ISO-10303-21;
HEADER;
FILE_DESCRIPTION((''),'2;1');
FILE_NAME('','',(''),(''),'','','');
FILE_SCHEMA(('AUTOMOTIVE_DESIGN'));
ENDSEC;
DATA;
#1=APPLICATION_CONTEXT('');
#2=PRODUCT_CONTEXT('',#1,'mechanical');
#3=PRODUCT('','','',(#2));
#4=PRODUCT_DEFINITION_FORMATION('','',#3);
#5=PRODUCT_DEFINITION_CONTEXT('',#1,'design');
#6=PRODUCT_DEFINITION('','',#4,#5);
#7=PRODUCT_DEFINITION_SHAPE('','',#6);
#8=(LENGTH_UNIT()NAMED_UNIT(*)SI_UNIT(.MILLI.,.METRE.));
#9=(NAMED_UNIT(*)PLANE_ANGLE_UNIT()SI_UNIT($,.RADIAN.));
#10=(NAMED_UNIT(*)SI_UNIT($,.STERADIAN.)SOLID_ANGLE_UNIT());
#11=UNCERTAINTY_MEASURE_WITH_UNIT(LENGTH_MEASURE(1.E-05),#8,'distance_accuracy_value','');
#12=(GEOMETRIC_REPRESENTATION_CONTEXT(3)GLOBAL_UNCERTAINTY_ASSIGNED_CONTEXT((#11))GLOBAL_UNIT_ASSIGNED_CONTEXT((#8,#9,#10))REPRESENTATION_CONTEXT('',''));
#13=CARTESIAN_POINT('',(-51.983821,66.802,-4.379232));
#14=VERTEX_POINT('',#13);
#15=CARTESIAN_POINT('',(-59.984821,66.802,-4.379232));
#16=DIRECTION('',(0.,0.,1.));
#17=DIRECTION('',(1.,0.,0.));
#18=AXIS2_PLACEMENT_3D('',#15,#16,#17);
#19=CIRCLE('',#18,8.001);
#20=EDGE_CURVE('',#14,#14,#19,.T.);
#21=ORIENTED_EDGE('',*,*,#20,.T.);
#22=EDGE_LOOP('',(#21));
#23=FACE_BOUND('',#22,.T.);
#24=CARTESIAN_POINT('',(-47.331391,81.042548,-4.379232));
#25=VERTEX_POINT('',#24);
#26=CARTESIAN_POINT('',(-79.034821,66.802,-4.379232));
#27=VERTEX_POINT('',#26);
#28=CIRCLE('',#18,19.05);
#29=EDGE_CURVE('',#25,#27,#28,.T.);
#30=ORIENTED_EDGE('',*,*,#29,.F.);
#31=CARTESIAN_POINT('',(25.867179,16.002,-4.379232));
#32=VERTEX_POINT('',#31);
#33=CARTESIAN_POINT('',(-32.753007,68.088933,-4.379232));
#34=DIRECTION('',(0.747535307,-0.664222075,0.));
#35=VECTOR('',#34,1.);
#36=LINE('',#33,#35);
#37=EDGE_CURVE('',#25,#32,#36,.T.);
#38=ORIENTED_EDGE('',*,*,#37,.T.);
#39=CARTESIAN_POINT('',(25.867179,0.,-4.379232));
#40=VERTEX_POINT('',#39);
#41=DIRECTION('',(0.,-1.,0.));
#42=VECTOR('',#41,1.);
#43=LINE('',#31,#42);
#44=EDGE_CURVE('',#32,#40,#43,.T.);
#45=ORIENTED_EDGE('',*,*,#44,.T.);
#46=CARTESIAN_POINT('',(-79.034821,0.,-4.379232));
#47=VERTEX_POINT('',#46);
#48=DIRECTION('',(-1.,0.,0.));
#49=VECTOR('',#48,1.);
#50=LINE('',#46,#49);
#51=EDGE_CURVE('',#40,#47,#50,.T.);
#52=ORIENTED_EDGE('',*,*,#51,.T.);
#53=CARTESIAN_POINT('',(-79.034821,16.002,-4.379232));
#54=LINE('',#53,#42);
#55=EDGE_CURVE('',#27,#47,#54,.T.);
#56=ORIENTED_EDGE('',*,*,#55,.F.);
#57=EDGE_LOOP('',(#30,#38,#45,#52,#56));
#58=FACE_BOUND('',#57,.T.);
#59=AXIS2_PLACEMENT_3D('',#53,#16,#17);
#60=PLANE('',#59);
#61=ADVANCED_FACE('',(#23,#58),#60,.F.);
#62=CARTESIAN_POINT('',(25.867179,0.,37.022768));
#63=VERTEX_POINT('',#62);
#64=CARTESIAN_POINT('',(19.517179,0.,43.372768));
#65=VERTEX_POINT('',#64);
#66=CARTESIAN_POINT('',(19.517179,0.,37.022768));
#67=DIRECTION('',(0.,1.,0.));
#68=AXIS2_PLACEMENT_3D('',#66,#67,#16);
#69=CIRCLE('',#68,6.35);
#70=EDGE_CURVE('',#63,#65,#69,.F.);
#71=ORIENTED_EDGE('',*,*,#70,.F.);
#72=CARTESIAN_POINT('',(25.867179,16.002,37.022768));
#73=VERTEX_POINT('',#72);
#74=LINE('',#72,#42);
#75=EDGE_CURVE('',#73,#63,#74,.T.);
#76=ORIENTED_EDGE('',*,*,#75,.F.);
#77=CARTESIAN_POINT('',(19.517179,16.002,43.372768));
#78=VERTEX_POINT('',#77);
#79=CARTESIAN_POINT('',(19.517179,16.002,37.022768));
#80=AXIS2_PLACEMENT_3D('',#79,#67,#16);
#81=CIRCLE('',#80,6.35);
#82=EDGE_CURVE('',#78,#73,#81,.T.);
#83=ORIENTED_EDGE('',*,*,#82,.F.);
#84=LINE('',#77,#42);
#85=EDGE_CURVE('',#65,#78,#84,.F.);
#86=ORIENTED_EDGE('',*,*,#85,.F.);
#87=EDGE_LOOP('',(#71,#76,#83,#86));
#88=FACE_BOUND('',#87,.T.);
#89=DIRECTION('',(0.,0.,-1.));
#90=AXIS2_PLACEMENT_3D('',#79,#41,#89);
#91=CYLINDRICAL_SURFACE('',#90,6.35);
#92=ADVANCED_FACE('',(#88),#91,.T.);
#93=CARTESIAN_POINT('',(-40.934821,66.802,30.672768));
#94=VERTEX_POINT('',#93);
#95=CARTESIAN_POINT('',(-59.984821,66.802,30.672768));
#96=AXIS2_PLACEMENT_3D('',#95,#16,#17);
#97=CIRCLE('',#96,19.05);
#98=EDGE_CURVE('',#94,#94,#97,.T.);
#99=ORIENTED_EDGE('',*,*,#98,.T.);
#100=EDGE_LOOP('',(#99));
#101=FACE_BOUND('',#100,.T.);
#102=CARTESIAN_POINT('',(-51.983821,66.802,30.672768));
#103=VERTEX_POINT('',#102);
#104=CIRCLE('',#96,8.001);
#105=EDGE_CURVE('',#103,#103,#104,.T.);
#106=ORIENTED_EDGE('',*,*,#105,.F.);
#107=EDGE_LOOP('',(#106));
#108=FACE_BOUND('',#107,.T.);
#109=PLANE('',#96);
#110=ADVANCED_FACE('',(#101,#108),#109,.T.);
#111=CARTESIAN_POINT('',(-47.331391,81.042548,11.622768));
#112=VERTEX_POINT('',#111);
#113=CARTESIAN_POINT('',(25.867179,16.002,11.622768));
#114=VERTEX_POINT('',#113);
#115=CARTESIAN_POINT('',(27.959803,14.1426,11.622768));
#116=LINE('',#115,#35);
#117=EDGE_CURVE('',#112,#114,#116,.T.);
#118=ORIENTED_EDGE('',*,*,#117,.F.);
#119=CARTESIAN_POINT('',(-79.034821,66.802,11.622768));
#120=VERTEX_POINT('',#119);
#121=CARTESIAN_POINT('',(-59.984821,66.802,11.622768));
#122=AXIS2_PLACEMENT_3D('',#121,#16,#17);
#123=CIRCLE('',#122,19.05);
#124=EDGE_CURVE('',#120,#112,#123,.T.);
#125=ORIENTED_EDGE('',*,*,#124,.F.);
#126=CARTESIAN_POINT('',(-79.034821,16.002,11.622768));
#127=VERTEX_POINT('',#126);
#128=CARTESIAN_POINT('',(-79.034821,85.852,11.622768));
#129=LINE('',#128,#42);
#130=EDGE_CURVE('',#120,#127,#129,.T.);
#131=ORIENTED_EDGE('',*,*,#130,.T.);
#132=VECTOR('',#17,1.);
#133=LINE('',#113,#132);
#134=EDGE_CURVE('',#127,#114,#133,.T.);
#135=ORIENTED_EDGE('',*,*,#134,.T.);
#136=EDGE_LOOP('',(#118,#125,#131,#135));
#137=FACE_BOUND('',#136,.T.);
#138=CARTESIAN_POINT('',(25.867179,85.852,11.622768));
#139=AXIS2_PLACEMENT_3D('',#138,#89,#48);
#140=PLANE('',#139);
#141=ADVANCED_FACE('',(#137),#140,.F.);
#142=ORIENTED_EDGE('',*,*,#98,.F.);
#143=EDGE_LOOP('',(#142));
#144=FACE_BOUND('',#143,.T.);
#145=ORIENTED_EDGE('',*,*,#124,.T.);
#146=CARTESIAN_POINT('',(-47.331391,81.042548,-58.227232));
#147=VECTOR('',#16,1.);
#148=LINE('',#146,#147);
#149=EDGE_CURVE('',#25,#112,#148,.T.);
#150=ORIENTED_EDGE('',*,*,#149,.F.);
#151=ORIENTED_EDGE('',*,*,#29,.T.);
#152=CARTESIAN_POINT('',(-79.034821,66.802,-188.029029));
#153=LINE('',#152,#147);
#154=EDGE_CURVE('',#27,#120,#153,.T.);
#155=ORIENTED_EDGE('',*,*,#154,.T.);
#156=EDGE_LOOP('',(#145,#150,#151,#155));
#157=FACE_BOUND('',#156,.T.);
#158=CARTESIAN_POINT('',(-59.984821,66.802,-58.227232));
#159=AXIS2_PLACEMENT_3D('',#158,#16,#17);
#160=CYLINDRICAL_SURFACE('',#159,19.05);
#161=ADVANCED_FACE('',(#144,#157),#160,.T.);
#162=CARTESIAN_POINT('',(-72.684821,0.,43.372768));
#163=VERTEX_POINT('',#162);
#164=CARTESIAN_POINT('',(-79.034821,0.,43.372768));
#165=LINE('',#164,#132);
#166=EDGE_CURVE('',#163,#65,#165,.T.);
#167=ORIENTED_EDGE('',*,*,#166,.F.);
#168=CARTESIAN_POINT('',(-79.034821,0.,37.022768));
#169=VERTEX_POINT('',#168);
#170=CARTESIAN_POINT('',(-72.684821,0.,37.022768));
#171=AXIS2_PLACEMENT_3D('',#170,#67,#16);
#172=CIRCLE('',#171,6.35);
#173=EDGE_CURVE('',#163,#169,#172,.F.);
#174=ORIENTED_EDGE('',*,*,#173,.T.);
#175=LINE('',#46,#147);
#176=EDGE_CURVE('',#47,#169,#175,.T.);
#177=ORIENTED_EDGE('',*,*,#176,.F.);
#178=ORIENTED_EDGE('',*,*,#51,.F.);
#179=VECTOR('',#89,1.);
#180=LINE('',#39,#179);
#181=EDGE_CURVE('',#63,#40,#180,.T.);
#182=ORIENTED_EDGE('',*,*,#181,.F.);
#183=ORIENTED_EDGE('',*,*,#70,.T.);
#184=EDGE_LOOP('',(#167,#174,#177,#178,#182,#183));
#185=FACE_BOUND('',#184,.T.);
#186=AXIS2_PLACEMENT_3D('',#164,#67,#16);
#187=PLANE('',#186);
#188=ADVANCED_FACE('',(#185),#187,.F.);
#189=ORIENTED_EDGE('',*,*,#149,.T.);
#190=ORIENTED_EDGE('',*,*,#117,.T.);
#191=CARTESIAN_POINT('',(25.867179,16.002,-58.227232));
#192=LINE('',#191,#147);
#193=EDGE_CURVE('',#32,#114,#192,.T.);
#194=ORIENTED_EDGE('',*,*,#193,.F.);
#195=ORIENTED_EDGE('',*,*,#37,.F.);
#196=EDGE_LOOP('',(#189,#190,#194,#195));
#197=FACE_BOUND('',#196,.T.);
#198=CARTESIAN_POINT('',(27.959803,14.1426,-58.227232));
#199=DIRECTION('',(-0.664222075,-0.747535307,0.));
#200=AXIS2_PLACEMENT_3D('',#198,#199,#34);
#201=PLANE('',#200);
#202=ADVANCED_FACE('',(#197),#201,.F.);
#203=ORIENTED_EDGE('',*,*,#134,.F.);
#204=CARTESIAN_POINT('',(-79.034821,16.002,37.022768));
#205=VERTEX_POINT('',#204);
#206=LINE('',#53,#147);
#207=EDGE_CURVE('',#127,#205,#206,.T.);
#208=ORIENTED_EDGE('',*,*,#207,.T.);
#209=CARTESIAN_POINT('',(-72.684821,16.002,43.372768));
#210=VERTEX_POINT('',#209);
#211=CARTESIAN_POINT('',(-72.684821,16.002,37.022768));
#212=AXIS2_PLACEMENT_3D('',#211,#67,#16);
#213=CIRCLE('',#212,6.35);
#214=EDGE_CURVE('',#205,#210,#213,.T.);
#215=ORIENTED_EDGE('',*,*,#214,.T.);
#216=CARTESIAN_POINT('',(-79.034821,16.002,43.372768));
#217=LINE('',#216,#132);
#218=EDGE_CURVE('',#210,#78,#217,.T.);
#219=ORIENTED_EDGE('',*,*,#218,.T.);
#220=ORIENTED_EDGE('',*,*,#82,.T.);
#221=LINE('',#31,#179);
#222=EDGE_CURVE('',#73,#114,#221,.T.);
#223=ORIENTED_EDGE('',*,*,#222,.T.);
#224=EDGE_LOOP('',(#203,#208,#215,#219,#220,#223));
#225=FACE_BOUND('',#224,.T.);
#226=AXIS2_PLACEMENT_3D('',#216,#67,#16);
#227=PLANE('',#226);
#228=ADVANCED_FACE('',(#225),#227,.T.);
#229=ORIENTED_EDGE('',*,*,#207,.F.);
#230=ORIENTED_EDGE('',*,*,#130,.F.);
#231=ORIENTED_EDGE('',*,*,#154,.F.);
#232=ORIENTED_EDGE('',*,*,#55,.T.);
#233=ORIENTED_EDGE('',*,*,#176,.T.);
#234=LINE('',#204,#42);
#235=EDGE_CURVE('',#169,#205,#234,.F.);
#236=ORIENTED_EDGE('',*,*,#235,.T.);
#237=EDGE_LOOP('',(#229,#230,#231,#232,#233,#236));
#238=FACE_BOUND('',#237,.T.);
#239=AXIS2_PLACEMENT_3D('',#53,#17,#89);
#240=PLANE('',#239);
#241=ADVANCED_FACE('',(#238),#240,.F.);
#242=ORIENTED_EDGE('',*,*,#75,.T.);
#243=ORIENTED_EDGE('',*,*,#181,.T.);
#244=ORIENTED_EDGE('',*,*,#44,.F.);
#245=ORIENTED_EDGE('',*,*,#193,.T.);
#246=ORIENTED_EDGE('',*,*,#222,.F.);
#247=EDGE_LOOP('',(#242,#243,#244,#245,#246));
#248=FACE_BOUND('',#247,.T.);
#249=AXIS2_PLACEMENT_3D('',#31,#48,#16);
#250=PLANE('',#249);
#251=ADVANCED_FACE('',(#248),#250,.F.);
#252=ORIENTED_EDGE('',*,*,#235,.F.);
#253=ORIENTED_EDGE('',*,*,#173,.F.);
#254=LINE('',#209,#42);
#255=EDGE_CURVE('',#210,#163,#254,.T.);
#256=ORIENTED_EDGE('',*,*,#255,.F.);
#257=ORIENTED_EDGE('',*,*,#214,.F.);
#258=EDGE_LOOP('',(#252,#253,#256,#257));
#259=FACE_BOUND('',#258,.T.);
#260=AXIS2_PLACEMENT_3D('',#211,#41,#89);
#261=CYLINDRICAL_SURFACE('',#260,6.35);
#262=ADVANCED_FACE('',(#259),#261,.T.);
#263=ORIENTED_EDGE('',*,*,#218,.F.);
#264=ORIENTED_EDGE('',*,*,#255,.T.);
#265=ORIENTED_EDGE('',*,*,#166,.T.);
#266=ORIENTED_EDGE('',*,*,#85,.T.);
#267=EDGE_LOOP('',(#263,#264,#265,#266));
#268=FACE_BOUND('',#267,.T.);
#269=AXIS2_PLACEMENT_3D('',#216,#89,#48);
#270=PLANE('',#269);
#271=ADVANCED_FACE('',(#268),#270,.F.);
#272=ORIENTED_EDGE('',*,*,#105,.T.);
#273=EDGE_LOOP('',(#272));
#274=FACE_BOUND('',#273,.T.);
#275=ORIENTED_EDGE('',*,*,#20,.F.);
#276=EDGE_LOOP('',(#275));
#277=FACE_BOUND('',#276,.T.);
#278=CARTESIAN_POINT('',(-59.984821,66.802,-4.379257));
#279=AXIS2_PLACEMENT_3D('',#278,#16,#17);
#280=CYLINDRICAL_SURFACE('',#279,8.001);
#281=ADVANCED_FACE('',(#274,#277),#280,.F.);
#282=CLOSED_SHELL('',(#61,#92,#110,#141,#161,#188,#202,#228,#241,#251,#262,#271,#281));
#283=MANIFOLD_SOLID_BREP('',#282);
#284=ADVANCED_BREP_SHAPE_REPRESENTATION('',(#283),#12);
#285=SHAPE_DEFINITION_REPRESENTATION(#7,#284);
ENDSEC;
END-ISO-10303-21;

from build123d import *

# Parameters (mm, degrees)
SKETCH1_W               = 104.902
SKETCH1_H               = 47.752
EXTRUDE1_DEPTH          = 16.002
FILLET1_R               = 6.35
SKETCH2_W               = 104.902
SKETCH2_H               = 16.002
EXTRUDE2_DEPTH          = 69.85
CUT_EXTRUDE1_DEPTH      = 69.85
CUT_EXTRUDE3_DEPTH      = 32.75
CUT_EXTRUDE3_DEPTH_BACK = 17.002
SKETCH5_R               = 19.05
EXTRUDE3_DEPTH          = 19.05
SKETCH6_R               = 8.001
CUT_EXTRUDE4_DEPTH      = 36.052


with BuildPart() as part:
    # Sketch1 → Extrude1 (new body)
    with BuildSketch(Plane(origin=(0, 0, 0), x_dir=(1, 0, 0), z_dir=(0, 1, 0))):
        with Locations((-26.583821429, -19.496767857)):
            Rectangle(SKETCH1_W, SKETCH1_H)
    extrude(amount=EXTRUDE1_DEPTH)

    # Fillet1
    fillet1_edges = [part.edges().sort_by_distance(p)[0] for p in [
        (25.867178571, 8.001, 43.372767857),
        (-79.034821429, 8.001, 43.372767857),
    ]]
    fillet(fillet1_edges, radius=FILLET1_R)

    # Sketch2 → Extrude2 (add)
    with BuildSketch(Plane(origin=(0, 16.002, 0), x_dir=(-1, 0, 0), z_dir=(0, 1, 0))):
        with Locations((26.583821429, 3.621767857)):
            Rectangle(SKETCH2_W, SKETCH2_H)
    extrude(amount=EXTRUDE2_DEPTH)

    # Sketch3 → Cut-Extrude1 (cut)
    with BuildSketch(Plane.XY.offset(11.622767857)):
        with BuildLine():
            ThreePointArc((-59.984821429, 85.852), (-53.216510402, 84.609090325), (-47.331390899, 81.042547596))
            Line((-47.331390899, 81.042547596), (25.867178571, 16.002))
            Line((25.867178571, 16.002), (25.867178571, 85.852))
            Line((25.867178571, 85.852), (-59.984821429, 85.852))
        make_face()
    extrude(amount=-CUT_EXTRUDE1_DEPTH, mode=Mode.SUBTRACT)

    # Sketch4 → Cut-Extrude3 (cut, two sides)
    with BuildSketch(Plane.XY.offset(11.622767857)) as cut_extrude3_sk:
        with BuildLine():
            Line((198.747458809, 85.852), (-59.984821429, 85.852))
            ThreePointArc((-59.984821429, 85.852), (-73.45520561, 80.272384182), (-79.034821429, 66.802))
            Line((-79.034821429, 66.802), (-79.034821429, -191.930280237))
            Line((-79.034821429, -191.930280237), (-444.937521164, 173.972419498))
            Line((-444.937521164, 173.972419498), (-167.155240927, 451.754699735))
            Line((-167.155240927, 451.754699735), (198.747458809, 85.852))
        make_face()
    extrude(amount=CUT_EXTRUDE3_DEPTH, mode=Mode.SUBTRACT)
    extrude(cut_extrude3_sk.sketch, amount=-CUT_EXTRUDE3_DEPTH_BACK, mode=Mode.SUBTRACT)

    # Sketch5 → Extrude3 (add)
    with BuildSketch(Plane.XY.offset(11.622767857)):
        with Locations((-59.984821429, 66.802)):
            Circle(SKETCH5_R)
    extrude(amount=EXTRUDE3_DEPTH)

    # Sketch6 → Cut-Extrude4 (cut, through all)
    with BuildSketch(Plane.XY.offset(30.672767857)):
        with Locations((-59.984821429, 66.802)):
            Circle(SKETCH6_R)
    extrude(amount=-CUT_EXTRUDE4_DEPTH, mode=Mode.SUBTRACT)


solid = part.part
